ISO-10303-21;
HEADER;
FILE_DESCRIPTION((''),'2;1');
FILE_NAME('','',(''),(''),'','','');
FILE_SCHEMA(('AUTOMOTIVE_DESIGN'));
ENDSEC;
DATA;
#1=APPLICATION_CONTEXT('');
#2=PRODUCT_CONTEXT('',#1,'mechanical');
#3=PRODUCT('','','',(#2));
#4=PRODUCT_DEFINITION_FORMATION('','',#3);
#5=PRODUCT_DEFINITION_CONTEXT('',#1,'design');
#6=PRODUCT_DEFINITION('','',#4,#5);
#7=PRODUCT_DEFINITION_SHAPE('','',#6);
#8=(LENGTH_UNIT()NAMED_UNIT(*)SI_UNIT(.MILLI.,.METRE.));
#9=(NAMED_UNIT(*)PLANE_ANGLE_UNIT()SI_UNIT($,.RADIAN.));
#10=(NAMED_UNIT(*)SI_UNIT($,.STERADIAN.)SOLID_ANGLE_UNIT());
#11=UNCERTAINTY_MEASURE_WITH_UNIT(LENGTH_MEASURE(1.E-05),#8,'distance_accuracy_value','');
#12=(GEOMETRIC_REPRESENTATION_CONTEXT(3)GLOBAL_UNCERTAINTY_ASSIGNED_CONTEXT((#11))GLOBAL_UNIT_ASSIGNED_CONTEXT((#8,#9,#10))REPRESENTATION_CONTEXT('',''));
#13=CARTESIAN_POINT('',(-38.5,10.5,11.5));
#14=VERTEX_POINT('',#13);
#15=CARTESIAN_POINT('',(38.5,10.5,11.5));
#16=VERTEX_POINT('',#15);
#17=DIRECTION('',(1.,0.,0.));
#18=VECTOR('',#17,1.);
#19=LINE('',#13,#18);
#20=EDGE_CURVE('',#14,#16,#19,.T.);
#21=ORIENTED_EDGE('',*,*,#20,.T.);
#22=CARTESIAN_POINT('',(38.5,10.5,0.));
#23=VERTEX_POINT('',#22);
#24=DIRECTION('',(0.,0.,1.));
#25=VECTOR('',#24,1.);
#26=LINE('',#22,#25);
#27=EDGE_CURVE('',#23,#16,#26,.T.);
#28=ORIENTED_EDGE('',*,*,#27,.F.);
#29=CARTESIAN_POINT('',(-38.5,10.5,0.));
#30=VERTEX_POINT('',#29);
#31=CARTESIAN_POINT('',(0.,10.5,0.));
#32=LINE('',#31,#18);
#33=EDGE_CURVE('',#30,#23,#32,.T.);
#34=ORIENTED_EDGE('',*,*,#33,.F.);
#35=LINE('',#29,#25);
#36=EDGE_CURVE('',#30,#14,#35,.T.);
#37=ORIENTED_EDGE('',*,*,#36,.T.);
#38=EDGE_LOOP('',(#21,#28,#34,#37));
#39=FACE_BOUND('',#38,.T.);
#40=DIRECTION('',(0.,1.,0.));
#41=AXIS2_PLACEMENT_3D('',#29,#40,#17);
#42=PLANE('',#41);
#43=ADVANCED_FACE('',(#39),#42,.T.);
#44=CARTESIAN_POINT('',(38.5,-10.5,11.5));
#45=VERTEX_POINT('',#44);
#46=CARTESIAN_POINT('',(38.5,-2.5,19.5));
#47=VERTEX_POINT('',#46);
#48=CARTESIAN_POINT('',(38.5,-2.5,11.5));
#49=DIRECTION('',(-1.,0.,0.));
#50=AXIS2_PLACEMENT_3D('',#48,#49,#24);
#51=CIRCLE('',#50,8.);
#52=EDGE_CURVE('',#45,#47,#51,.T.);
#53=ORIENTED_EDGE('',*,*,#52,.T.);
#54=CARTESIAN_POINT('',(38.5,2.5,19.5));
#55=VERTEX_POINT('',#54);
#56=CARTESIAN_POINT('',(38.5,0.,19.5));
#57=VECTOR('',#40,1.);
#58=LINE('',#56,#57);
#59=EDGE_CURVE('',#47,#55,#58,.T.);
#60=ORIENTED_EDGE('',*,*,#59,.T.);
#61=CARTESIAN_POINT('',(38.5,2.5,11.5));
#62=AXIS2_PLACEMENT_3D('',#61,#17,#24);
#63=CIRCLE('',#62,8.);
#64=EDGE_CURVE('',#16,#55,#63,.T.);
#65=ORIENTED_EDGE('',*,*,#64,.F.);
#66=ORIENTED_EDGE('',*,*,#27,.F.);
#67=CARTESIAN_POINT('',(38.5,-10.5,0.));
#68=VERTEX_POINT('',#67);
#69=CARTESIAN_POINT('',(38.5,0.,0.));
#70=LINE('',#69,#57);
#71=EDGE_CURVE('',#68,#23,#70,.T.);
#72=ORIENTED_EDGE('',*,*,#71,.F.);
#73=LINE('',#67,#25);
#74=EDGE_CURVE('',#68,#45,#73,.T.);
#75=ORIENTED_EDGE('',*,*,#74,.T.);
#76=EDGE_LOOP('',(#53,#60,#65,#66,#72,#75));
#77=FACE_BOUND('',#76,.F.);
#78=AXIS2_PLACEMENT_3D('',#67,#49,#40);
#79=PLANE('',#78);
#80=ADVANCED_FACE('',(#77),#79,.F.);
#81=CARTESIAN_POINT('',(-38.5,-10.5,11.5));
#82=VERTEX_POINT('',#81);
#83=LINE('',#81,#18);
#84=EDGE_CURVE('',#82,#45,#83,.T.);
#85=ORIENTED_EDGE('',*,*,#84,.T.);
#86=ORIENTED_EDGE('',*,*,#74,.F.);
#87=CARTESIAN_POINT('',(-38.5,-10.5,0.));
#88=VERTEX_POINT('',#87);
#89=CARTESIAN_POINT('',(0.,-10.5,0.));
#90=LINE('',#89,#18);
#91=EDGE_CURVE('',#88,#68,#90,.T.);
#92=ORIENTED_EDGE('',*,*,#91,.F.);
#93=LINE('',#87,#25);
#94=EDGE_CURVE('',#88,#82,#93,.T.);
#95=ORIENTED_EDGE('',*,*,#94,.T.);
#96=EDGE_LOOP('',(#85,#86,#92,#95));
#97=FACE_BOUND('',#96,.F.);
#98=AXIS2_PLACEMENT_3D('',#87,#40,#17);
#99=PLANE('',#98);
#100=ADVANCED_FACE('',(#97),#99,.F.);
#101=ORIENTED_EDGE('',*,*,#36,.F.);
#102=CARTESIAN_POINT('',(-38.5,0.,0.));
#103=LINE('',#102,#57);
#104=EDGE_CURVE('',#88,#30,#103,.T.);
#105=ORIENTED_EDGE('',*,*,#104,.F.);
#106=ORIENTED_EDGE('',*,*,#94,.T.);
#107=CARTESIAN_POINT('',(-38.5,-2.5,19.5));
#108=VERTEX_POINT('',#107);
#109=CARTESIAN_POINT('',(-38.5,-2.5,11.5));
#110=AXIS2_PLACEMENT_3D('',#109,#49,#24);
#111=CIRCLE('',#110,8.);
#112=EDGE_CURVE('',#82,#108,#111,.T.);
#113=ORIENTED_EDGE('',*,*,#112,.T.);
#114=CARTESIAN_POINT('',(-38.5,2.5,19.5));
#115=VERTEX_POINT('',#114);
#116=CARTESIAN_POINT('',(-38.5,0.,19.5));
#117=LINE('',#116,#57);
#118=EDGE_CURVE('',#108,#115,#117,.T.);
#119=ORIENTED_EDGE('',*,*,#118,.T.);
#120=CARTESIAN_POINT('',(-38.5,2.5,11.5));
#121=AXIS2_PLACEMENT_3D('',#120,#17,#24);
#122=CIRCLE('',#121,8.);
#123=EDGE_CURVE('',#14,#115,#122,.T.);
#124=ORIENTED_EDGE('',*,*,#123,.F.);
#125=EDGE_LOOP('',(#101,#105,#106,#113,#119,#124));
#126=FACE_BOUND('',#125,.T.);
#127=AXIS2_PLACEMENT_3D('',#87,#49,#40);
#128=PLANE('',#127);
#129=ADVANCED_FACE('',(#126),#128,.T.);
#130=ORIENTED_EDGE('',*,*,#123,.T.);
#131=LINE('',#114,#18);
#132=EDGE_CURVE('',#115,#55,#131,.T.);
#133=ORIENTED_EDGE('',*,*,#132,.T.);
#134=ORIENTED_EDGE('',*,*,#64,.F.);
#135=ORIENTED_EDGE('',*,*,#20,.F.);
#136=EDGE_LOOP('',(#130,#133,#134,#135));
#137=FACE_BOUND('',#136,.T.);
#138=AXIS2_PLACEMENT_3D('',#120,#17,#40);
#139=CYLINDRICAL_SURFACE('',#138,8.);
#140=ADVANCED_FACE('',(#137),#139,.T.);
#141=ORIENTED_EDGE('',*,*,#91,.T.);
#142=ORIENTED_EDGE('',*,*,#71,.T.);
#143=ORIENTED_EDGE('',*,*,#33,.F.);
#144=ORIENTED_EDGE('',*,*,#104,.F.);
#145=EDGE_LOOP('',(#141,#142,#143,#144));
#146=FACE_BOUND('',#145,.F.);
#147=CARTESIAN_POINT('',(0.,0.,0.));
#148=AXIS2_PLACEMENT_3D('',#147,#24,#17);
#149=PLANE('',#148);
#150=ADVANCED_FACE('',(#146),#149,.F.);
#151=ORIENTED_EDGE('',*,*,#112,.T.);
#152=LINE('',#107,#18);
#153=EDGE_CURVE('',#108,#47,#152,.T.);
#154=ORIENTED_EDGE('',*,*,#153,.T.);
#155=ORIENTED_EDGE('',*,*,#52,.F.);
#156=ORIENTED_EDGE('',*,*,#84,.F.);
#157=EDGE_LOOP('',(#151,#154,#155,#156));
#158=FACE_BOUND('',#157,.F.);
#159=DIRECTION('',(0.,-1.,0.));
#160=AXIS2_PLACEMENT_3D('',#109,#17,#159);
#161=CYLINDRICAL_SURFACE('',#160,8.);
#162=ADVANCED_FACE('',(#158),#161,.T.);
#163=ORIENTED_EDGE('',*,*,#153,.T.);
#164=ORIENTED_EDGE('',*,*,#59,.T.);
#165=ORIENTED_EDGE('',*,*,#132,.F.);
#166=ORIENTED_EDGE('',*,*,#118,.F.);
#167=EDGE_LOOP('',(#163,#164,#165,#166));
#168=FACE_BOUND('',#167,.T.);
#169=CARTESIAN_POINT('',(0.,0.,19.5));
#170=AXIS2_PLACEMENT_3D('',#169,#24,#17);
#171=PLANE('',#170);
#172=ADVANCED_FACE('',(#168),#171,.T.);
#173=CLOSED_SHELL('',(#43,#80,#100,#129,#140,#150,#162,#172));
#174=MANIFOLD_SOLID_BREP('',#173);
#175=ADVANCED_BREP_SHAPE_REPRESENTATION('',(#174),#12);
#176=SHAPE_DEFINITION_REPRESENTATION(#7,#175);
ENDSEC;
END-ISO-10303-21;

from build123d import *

# Parameters (mm, degrees)
SKICA1_W                = 77
SKICA1_H                = 21
P_IDAT_VYSUNUT_M1_DEPTH = 19.5
ZAOBLIT1_R              = 8


with BuildPart() as part:
    # Skica1 → Přidat vysunutím1 (new body)
    with BuildSketch(Plane.XY):
        Rectangle(SKICA1_W, SKICA1_H)
    extrude(amount=P_IDAT_VYSUNUT_M1_DEPTH)

    # Zaoblit1
    zaoblit1_edges = [part.edges().sort_by_distance(p)[0] for p in [
        (0, -10.5, 19.5),
        (0, 10.5, 19.5),
    ]]
    fillet(zaoblit1_edges, radius=ZAOBLIT1_R)


solid = part.part
